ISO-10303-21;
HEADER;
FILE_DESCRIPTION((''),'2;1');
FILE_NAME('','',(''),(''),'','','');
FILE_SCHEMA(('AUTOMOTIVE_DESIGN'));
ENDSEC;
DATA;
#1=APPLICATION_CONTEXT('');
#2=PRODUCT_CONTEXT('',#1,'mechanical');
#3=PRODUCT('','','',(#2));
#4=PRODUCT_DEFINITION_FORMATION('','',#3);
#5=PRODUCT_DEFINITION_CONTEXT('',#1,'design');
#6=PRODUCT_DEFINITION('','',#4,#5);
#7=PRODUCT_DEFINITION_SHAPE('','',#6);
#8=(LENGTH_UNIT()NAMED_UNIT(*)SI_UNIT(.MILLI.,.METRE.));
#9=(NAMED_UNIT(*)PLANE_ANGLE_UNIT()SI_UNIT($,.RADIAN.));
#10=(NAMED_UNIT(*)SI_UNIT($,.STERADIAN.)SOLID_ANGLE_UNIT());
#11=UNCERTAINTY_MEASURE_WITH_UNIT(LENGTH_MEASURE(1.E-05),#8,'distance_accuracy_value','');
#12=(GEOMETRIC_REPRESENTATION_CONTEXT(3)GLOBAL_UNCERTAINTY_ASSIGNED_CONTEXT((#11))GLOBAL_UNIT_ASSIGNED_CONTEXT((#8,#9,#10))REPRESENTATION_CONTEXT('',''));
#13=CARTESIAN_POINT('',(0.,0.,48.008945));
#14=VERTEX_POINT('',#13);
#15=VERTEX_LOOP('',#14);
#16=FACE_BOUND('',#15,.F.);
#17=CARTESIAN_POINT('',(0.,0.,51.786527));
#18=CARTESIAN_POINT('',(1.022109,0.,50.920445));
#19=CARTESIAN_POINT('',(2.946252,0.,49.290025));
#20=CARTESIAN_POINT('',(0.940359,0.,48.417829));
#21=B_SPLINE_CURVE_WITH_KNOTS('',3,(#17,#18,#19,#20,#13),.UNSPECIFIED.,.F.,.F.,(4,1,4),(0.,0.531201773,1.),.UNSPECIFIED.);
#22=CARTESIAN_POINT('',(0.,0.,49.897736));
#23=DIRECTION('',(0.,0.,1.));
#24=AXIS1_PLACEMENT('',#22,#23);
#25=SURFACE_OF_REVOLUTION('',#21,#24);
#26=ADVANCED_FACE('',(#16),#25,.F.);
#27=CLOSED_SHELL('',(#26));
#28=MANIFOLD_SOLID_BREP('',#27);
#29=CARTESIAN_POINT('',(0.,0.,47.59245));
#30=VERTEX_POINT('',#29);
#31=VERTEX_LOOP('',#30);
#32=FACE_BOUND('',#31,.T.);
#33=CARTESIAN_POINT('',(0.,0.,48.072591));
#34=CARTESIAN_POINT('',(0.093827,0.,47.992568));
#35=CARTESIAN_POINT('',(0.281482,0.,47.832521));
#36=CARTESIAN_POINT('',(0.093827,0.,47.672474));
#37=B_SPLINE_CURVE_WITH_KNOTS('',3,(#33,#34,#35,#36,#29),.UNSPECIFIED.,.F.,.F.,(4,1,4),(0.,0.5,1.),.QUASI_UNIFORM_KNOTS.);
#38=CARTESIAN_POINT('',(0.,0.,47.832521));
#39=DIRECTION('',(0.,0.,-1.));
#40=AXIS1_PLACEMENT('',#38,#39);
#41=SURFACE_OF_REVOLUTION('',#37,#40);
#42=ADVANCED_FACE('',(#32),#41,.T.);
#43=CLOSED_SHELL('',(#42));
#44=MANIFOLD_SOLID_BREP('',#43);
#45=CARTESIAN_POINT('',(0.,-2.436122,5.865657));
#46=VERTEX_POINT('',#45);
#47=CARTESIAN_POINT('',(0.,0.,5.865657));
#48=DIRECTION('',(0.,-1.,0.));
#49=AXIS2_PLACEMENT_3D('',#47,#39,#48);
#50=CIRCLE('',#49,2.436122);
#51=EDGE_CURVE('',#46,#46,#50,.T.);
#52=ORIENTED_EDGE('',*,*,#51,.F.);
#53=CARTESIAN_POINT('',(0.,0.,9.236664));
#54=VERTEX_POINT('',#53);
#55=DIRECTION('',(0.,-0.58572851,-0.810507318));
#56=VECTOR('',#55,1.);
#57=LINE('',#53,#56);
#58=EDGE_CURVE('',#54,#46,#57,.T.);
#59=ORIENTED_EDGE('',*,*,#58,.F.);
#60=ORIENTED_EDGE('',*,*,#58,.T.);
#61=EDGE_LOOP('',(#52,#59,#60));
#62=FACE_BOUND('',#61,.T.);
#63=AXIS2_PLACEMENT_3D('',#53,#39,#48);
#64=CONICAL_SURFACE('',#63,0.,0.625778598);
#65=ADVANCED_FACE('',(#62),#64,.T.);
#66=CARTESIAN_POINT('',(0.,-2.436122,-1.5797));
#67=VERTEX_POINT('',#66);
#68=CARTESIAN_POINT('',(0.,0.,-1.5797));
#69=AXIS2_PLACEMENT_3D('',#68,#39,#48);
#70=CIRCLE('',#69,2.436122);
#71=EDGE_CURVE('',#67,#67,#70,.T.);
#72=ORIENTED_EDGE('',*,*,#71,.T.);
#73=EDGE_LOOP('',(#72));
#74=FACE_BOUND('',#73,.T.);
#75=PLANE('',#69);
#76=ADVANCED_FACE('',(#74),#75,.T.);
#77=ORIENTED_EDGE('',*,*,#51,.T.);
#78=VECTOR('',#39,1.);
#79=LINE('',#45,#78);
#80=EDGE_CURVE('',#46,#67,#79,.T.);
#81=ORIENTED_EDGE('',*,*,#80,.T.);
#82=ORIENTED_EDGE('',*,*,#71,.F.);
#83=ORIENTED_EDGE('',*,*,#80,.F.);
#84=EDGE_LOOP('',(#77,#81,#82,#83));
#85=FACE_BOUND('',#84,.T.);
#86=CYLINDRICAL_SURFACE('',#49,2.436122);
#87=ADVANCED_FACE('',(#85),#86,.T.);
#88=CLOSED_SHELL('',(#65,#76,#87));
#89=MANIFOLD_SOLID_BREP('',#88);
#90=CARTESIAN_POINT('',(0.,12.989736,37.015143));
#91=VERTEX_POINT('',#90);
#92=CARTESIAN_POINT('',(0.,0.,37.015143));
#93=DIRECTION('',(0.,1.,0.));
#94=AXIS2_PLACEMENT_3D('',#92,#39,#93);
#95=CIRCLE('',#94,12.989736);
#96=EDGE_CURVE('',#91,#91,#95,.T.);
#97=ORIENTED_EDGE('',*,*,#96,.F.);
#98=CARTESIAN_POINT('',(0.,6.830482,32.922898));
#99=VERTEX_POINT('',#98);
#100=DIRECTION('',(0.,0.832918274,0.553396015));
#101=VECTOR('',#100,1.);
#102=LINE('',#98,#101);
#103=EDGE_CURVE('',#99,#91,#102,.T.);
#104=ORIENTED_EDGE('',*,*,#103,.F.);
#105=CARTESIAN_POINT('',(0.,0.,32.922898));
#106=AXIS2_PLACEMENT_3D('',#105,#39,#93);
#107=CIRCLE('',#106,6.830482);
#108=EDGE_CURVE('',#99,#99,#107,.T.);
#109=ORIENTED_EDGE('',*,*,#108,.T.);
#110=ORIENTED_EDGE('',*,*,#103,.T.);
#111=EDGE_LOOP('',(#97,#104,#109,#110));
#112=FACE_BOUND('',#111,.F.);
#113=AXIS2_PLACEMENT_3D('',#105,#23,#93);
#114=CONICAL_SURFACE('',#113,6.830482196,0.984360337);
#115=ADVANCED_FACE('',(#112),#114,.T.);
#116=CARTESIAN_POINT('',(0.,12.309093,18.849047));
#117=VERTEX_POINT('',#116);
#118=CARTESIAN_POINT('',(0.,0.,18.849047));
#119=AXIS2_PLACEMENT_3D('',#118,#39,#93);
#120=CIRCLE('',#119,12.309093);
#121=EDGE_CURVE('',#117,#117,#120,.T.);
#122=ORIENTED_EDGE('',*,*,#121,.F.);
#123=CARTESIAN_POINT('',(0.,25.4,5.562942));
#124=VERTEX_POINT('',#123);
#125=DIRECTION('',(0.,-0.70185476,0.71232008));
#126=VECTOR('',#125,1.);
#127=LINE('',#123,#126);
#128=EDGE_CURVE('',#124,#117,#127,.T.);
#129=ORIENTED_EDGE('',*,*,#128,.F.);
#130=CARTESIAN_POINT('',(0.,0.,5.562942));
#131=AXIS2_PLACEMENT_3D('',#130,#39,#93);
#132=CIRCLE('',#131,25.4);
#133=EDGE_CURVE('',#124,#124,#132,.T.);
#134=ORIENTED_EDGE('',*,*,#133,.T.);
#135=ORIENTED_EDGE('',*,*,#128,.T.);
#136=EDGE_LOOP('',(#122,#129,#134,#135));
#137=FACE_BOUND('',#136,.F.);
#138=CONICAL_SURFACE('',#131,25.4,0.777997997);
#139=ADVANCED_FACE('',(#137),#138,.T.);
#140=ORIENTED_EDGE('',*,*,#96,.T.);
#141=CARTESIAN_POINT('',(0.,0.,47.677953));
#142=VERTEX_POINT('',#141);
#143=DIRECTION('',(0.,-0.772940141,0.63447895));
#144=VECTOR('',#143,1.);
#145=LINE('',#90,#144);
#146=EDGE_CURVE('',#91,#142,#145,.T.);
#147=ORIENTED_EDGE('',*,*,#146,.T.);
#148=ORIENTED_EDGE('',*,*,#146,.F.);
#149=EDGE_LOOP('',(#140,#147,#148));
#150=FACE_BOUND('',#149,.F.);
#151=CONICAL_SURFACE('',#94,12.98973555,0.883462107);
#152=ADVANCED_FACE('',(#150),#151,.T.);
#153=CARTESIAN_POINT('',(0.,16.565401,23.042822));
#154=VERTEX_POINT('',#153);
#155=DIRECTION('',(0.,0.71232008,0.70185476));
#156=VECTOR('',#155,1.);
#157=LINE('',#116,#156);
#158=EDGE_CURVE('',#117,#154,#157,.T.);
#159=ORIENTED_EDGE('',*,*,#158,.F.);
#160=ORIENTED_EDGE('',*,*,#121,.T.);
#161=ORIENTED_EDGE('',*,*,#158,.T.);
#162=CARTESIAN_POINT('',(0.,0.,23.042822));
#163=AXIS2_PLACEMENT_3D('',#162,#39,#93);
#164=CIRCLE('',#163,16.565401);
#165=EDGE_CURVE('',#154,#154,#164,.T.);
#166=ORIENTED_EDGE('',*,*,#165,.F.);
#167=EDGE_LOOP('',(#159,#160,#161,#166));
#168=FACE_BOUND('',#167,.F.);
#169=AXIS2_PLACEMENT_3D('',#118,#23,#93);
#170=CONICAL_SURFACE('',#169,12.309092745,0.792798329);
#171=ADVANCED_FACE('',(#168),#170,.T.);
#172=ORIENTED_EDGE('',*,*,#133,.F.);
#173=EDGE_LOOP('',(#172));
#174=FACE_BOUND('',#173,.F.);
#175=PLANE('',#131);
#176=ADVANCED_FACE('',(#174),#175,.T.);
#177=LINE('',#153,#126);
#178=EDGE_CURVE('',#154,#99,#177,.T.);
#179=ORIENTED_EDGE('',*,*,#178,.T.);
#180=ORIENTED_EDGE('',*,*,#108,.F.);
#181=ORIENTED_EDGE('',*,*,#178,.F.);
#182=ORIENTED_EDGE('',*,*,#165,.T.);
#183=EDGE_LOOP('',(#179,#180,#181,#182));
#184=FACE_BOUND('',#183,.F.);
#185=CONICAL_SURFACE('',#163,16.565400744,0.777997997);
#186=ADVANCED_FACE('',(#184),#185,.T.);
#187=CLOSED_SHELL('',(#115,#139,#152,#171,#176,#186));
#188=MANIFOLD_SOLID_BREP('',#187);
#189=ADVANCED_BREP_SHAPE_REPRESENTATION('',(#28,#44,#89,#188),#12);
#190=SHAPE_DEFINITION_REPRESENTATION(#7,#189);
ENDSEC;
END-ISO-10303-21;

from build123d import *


with BuildPart() as f1:
    # F0 (on Right) → F1 (revolve)
    with BuildSketch(Plane.YZ):
        Polygon((12.9897355498, 37.0151433533), (0, 47.6779532356), (0, 5.5629422697), (25.4, 5.5629422697), (12.3090927451, 18.8490473593), (16.5654007445, 23.042822201), (6.8304821963, 32.9228976115), align=None)
    revolve(axis=Axis((0, 0, 26.6204477526), (0, 0, -1)))


with BuildPart() as f3:
    # F2 (on Front) → F3 (revolve)
    with BuildSketch(Plane.XZ):
        with BuildLine():
            Line((0, 51.7865270376), (0, 48.0089448392))
            add(Edge.make_bspline(
                [(0, 51.7865270376), (1.0221085545, 50.9204450995), (2.9462522711, 49.2900252073), (0.9403591418, 48.4178289145), (0, 48.0089448392)],
                knots=[0, 0, 0, 0, 0.5312017734, 1, 1, 1, 1], degree=3))
        make_face()
    revolve(axis=Axis((0, 0, 49.8977359384), (0, 0, 1)))


with BuildPart() as f5:
    # F4 (on Front) → F5 (revolve)
    with BuildSketch(Plane.XZ):
        with BuildLine():
            add(Edge.make_bspline(
                [(0, 48.072591424), (0.0938272351, 47.9925678422), (0.2814817053, 47.8325206786), (0.0938272351, 47.6724735151), (0, 47.5924499333)],
                knots=[0, 0, 0, 0, 0.5, 1, 1, 1, 1], degree=3))
            Line((0, 48.072591424), (0, 47.5924499333))
        make_face()
    revolve(axis=Axis((0, 0, 47.8325206786), (0, 0, -1)))


with BuildPart() as f7:
    # F6 (on Right) → F7 (revolve)
    with BuildSketch(Plane.YZ):
        Polygon((0, -1.5797003871), (0, 9.2366635799), (-2.436122275, 5.8656565379), (-2.436122275, -1.5797003871), align=None)
    revolve(axis=Axis((0, 0, 3.8284815964), (0, 0, -1)))


solid = Compound([f1.part, f3.part, f5.part, f7.part])
